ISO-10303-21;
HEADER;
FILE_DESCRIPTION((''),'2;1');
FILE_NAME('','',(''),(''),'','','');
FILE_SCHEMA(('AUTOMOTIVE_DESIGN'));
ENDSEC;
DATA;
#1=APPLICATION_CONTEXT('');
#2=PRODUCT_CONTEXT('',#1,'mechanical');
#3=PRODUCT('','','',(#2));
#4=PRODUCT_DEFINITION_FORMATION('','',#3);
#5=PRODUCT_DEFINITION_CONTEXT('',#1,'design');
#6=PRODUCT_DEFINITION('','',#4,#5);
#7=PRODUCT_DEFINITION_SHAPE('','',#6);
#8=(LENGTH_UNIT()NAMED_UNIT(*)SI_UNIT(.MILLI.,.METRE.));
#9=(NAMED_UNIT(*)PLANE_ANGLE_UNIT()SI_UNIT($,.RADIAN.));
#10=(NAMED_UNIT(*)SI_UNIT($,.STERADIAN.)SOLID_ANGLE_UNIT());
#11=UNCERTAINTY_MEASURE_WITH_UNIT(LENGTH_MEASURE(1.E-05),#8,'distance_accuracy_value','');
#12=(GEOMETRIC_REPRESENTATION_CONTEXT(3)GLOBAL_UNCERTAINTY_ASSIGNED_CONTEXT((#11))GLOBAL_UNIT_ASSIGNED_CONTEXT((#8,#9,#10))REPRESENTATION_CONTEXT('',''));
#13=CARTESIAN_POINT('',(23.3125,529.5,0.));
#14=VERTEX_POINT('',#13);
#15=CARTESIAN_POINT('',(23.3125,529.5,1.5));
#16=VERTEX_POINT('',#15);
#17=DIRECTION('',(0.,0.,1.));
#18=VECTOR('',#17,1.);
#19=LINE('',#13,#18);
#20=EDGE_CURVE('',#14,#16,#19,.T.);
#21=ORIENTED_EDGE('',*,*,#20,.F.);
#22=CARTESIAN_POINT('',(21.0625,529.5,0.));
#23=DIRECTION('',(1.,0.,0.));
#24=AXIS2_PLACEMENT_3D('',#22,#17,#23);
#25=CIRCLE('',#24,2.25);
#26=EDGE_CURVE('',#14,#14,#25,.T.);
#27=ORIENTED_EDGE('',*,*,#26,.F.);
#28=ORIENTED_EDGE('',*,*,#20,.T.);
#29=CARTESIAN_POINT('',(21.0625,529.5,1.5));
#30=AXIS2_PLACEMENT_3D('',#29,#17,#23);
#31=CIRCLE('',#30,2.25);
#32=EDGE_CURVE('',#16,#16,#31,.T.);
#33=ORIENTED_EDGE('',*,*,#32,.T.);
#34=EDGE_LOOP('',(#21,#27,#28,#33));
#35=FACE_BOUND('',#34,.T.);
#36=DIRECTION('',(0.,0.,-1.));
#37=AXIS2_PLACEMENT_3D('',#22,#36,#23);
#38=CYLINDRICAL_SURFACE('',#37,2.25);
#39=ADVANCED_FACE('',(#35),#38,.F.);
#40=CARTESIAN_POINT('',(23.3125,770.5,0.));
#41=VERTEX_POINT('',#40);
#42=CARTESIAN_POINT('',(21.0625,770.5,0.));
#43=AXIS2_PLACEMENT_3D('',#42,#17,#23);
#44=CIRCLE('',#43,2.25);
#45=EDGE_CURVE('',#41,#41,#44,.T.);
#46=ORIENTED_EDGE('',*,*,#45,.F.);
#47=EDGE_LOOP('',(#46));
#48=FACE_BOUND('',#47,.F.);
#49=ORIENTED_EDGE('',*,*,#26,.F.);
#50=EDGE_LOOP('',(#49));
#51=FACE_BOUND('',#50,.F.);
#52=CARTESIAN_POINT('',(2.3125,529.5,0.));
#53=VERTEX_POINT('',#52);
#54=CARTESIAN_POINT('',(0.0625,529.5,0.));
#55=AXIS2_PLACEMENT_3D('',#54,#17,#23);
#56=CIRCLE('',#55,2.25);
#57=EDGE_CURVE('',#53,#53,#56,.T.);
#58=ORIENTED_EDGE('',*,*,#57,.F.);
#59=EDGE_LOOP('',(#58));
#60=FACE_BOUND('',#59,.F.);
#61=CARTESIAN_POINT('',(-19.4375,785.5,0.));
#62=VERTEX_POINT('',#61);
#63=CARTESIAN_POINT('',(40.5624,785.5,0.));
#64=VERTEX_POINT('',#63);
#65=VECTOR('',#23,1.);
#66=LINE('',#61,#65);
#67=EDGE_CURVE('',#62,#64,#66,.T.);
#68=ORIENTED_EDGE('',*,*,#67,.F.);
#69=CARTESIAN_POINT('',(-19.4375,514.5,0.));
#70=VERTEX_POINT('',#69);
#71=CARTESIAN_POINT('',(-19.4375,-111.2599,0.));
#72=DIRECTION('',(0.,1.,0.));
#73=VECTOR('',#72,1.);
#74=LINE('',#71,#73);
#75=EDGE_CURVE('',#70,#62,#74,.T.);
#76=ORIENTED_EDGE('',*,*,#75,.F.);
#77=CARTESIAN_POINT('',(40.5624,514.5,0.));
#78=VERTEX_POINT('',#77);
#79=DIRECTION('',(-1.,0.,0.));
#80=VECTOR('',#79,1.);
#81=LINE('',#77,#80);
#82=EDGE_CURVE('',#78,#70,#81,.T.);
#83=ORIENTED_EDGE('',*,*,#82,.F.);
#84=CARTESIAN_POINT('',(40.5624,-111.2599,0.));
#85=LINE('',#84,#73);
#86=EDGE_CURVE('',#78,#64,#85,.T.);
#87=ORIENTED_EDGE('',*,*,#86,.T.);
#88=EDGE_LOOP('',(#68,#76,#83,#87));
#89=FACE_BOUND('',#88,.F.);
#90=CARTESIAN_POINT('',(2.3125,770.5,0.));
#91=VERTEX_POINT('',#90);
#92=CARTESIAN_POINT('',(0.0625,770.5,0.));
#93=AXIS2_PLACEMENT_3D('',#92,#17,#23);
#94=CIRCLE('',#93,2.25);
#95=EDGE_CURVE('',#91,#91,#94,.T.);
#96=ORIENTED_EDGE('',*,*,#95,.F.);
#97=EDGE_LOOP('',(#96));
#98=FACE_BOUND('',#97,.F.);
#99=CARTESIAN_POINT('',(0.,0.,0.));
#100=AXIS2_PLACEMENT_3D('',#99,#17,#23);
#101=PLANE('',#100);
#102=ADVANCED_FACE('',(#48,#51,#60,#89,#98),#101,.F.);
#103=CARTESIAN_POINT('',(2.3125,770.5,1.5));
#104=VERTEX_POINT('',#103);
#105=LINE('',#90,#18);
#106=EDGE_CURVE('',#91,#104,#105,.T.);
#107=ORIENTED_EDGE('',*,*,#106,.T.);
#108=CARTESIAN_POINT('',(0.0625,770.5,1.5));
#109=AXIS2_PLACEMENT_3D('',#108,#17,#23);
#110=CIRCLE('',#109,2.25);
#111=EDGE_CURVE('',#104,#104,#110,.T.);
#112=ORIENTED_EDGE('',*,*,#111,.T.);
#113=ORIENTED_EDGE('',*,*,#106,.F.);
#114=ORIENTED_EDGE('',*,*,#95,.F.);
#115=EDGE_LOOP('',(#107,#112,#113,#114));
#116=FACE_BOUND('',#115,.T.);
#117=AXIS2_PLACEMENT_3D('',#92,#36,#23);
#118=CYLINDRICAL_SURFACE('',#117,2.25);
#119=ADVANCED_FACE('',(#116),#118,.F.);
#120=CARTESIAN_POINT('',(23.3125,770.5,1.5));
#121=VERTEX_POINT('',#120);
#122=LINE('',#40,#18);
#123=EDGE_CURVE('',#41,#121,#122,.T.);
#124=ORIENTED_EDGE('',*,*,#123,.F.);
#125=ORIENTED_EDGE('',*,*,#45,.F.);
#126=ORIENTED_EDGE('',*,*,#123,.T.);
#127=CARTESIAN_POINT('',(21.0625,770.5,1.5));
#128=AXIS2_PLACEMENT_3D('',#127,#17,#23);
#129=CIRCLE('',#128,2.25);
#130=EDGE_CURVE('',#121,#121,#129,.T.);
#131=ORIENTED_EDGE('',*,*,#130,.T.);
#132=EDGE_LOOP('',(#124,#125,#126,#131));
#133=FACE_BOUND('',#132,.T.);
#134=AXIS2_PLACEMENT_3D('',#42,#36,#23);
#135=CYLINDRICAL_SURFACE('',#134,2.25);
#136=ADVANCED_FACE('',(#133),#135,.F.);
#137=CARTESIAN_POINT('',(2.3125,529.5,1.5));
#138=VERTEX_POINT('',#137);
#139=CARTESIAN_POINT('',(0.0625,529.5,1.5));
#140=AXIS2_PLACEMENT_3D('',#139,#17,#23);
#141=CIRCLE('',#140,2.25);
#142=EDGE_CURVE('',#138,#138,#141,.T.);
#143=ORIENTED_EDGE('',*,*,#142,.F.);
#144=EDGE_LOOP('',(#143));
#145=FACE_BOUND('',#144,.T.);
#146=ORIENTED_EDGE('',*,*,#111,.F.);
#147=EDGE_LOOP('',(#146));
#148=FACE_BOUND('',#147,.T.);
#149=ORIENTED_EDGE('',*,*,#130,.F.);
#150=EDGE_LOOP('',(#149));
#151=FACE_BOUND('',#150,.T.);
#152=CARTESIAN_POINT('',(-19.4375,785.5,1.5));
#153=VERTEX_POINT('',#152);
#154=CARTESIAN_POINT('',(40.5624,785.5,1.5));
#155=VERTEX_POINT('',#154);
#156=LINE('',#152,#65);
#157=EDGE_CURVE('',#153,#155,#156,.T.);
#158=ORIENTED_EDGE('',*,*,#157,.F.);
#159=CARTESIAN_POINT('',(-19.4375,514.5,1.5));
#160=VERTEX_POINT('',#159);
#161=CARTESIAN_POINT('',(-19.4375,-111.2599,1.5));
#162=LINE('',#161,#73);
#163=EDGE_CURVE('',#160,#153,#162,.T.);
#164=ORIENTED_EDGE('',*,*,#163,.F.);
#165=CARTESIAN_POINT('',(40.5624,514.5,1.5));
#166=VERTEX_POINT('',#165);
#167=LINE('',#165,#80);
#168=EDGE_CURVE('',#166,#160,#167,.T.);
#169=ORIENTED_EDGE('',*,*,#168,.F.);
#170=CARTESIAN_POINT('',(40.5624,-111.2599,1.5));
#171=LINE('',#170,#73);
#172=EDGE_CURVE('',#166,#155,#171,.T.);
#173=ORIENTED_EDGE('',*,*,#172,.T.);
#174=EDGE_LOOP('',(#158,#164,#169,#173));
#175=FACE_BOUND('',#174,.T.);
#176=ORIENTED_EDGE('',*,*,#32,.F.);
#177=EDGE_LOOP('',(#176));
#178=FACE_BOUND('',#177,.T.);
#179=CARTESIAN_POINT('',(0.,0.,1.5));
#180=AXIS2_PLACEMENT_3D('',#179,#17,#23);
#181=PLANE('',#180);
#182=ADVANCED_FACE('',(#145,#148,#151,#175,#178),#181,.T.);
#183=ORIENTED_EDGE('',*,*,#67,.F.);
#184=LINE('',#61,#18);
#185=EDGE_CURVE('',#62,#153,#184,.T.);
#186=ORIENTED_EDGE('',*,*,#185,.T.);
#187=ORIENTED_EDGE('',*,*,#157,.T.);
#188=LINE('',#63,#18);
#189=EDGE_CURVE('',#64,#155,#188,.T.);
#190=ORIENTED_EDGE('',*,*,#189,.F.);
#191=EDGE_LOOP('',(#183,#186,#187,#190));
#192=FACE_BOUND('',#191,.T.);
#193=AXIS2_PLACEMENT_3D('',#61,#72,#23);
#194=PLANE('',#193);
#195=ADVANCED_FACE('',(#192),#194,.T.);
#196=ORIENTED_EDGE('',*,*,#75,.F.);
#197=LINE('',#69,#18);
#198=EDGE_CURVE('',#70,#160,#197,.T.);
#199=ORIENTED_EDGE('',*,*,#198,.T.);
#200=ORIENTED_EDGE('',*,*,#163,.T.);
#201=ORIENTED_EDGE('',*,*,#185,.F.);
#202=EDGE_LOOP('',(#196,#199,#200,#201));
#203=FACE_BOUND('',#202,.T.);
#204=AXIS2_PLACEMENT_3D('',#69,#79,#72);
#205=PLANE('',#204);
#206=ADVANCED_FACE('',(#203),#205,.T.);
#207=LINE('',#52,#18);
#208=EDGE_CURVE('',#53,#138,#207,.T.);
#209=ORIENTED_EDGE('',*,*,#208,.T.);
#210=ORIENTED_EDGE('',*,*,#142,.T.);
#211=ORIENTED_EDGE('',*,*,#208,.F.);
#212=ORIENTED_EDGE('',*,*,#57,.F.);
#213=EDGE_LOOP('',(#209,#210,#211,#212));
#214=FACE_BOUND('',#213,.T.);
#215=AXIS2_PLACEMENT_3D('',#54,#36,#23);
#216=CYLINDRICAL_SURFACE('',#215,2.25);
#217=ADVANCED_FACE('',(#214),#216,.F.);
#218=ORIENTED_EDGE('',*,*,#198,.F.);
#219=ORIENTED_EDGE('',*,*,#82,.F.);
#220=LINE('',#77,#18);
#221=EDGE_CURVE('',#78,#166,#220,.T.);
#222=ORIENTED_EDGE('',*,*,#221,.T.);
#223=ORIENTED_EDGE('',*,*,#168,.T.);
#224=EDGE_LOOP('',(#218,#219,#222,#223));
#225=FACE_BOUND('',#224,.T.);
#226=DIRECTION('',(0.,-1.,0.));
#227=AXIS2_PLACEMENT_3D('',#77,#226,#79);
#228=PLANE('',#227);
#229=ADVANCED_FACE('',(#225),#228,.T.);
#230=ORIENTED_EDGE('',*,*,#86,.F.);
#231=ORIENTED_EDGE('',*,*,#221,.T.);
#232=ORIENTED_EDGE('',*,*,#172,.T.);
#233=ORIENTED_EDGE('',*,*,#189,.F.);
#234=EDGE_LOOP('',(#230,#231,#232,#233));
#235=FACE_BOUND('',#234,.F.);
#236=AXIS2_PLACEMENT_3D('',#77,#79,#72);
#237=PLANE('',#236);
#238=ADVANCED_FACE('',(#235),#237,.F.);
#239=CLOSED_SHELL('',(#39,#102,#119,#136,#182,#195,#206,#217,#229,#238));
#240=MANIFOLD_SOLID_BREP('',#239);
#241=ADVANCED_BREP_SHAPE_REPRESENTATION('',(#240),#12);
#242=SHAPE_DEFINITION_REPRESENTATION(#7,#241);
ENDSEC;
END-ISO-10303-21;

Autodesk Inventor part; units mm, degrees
ref_plane "YZ Plane" through (0, 0, 0) normal (1, 0, 0) x (0, 1, 0)
ref_plane "XZ Plane" through (0, 0, 0) normal (0, 1, 0) x (-1, 0, 0)
ref_plane "XY Plane" through (0, 0, 0) normal (0, 0, 1) x (1, 0, 0)
sketch "Sketch1" plane through (0, 0, 0) normal (0, 0, 1) x (1, 0, 0)
  circle A0 centre (0.0625, 529.5) radius 2.25
  circle A1 centre (21.0625, 529.5) radius 2.25
  circle A2 centre (0.0625, 770.5) radius 2.25
  circle A3 centre (21.0625, 770.5) radius 2.25
  line L0 (40.5624, -111.2599) -> (40.5624, 1344.9999)
  line L1 (-19.4375, -111.2599) -> (-19.4375, 1344.9999)
  line L2 (-19.4375, 785.5) -> (40.5624, 785.5)
  line L3 (40.5624, 785.5) -> (40.5624, 514.5)
  line L4 (40.5624, 514.5) -> (-19.4375, 514.5)
  line L5 (-19.4375, 514.5) -> (-19.4375, 785.5)
  circle A4 centre (21.0625, 770.5) radius 2.25
  circle A5 centre (0.0625, 770.5) radius 2.25
  circle A6 centre (21.0625, 529.5) radius 2.25
  circle A7 centre (0.0625, 529.5) radius 2.25
  point P0 (0, 0)
  dimension "d0" = 15
  dimension "d1" = 15
extrude "Plate1" add sketch "Sketch1" along normal blind 1.5
equation "\"d1\" = d0"
equation "\"BendRadius\" = Thickness"
equation "\"BendReliefWidth\" = Thickness"
equation "\"BendReliefDepth\" = 0.5 * Thickness"
equation "\"CornerReliefSize\" = 4 * Thickness"
equation "\"MinimumRemnant\" = 2 * Thickness"
equation "\"TransitionRadius\" = BendRadius"
equation "\"JacobiRadiusSize\" = BendRadius"
equation "\"GapSize\" = Thickness"
equation "\"d2\" = BendRadius"
equation "\"Thickness\" = 1.5"
properties part number "gabarito-bloco-solenoide" material "Wood (Oak)"
